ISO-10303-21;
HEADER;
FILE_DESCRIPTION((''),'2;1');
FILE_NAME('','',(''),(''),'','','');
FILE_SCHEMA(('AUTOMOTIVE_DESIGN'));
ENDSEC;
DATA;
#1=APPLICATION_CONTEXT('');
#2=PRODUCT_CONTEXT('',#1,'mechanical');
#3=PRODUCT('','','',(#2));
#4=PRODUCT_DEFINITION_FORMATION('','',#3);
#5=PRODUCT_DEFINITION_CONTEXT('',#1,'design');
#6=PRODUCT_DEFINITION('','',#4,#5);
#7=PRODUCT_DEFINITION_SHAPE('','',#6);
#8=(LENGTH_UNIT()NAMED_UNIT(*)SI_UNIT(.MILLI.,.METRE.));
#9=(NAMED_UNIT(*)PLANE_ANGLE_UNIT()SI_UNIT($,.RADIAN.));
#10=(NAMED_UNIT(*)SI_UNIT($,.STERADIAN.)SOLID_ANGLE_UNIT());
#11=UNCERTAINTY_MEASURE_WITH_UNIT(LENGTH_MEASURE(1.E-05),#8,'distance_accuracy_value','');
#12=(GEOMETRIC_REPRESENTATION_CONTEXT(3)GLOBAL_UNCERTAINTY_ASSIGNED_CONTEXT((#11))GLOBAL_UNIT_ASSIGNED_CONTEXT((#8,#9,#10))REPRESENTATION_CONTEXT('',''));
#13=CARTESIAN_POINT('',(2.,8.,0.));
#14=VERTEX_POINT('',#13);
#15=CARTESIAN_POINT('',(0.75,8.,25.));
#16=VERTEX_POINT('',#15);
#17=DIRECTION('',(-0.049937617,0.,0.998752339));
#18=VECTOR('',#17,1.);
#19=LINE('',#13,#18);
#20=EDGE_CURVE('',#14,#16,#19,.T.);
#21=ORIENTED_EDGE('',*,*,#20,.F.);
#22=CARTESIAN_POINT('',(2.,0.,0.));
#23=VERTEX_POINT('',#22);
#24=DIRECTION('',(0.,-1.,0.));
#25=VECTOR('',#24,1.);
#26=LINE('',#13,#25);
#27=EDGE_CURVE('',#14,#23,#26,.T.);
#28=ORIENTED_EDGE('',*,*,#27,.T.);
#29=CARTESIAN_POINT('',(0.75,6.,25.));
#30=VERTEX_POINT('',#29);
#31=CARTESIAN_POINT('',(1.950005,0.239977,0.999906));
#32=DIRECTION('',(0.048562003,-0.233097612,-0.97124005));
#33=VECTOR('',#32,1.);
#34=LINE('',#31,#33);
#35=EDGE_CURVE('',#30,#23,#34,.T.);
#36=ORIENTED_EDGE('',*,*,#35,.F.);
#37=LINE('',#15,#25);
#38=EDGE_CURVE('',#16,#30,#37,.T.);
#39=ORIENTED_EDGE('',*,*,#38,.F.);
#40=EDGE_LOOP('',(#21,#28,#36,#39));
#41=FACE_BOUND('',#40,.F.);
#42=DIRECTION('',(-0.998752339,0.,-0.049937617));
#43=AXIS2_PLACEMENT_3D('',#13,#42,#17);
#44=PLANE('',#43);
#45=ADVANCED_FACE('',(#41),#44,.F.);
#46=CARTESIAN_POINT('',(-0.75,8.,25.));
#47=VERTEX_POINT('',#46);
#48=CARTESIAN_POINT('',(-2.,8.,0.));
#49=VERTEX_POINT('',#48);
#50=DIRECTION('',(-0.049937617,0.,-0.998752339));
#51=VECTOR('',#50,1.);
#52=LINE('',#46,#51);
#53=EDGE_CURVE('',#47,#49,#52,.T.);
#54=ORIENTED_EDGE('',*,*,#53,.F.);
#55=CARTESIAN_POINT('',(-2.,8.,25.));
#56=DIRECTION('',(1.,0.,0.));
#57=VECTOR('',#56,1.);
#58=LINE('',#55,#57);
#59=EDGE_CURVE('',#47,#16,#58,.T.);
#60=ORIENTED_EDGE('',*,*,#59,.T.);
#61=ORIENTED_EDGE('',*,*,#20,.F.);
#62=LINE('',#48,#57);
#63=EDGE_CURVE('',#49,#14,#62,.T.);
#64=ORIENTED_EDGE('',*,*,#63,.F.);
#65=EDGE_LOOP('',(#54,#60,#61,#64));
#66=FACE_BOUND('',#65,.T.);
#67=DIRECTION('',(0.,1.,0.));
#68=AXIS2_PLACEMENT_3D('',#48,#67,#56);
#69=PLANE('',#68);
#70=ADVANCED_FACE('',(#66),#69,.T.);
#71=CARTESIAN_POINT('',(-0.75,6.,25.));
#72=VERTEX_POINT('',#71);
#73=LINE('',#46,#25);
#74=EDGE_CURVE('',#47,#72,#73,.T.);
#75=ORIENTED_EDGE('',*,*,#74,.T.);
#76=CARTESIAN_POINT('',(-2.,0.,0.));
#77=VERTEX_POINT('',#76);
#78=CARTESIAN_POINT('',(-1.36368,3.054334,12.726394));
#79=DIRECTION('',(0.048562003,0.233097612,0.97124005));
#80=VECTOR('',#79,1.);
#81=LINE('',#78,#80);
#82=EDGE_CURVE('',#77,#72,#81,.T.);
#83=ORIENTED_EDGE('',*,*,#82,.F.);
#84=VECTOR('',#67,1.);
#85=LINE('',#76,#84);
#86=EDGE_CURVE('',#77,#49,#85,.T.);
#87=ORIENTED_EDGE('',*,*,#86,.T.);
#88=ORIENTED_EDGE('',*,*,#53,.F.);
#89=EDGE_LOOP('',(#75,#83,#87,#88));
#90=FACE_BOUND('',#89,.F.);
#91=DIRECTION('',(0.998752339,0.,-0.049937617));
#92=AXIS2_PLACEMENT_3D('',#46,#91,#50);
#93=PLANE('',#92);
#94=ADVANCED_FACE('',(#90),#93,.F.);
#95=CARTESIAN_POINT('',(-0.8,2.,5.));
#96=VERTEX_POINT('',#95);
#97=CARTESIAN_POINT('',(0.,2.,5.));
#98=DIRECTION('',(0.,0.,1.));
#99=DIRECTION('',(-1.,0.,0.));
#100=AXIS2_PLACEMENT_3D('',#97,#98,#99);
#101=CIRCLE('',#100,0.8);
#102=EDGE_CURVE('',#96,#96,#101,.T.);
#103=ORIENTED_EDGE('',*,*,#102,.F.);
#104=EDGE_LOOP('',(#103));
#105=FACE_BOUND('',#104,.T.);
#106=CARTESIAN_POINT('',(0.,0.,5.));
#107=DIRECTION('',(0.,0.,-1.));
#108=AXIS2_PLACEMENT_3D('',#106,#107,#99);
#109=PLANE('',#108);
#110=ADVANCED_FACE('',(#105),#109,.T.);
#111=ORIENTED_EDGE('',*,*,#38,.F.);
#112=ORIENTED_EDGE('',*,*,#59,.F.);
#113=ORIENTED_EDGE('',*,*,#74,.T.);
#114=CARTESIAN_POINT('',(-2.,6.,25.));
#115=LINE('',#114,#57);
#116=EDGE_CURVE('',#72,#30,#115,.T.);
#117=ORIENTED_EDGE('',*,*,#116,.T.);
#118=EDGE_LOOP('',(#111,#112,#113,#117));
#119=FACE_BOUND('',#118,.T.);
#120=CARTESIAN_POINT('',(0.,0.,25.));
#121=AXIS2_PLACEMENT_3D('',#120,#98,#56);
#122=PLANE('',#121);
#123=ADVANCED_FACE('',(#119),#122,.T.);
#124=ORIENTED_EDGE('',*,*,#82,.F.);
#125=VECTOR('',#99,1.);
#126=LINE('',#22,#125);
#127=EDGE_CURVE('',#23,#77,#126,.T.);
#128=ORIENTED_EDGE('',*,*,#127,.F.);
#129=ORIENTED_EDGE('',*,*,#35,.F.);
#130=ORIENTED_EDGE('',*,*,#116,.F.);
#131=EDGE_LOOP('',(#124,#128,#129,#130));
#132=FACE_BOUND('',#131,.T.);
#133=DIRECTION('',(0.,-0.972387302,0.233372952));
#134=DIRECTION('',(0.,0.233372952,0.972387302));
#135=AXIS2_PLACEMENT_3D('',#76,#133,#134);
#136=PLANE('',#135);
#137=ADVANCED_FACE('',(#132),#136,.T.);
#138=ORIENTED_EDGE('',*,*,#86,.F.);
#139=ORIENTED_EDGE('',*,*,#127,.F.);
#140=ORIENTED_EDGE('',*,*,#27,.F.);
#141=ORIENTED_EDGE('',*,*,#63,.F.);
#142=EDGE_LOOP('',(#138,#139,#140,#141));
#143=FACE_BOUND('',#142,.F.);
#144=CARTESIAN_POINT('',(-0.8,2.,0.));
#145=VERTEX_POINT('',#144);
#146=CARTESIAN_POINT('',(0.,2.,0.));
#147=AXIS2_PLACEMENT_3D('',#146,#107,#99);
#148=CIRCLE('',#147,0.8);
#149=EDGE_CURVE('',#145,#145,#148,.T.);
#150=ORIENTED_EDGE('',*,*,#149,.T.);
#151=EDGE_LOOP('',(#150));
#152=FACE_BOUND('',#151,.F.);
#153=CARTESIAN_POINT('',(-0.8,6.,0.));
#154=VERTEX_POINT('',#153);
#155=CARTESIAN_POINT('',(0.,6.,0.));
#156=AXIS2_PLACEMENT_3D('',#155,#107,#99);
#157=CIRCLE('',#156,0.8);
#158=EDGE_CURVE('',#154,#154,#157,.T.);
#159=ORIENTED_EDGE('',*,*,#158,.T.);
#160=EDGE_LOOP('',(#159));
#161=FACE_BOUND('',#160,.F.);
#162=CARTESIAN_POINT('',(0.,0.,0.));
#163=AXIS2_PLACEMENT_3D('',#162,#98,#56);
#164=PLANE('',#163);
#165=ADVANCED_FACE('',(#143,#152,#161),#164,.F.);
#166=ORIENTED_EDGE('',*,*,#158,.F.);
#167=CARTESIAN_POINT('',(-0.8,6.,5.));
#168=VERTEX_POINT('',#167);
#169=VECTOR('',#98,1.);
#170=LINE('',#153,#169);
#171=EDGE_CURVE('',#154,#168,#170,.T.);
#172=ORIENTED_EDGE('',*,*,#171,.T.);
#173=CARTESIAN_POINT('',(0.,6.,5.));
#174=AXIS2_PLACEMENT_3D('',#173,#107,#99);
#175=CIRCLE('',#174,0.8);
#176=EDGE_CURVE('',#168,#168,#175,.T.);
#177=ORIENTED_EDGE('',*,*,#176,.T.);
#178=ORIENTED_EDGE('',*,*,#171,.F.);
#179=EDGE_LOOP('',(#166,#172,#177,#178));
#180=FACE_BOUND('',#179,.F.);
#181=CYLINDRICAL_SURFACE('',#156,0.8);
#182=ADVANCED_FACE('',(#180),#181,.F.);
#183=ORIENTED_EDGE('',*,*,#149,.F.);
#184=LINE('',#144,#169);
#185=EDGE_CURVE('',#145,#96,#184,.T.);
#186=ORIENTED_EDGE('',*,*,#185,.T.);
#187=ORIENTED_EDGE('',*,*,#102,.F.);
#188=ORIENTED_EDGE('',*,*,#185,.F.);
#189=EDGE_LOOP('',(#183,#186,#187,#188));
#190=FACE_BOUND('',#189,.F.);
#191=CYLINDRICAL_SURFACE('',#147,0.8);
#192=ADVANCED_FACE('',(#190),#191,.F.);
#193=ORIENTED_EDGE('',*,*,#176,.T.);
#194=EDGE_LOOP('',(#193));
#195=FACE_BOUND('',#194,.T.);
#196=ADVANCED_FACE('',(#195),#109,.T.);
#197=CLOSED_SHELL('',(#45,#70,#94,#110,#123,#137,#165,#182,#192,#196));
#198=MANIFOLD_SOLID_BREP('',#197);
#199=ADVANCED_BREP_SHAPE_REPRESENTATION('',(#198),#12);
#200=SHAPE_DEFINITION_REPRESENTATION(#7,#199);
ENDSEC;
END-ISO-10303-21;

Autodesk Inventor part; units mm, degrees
ref_plane "YZ Plane" through (0, 0, 0) normal (1, 0, 0) x (0, 1, 0)
ref_plane "XZ Plane" through (0, 0, 0) normal (0, 1, 0) x (-1, 0, 0)
ref_plane "XY Plane" through (0, 0, 0) normal (0, 0, 1) x (1, 0, 0)
sketch "スケッチ1" plane through (0, 0, 0) normal (0, 0, 1) x (1, 0, 0)
  line L0 (-2, 8) -> (2, 8)
  line L1 (2, 8) -> (2, 0)
  line L2 (2, 0) -> (-2, 0)
  line L3 (-2, 0) -> (-2, 8)
  point P0 (0, 0)
  point P1 (0, 0)
  dimension "d0" = 8
  dimension "d1" = 4
extrude "押し出し1" add sketch "スケッチ1" along normal blind 25
sketch "スケッチ2" plane through (-2, 0, 0) normal (-1, 0, 0) x (0, 0, 1)
  line L0 (0, 0) -> (25, 6)
  line L1 (25, 0) -> (25, 8) projected
  line L2 (0, 8) -> (25, 8) projected
  line L3 (25, 8) -> (0, 8)
  line L4 (0, 8) -> (0, 0)
  line L5 (0, 8) -> (0, 0) projected
  line L6 (0, 0) -> (25, 0) projected
  line L7 (25, 8) -> (25, 0) projected
  line L8 (0, 8) -> (25, 8) projected
  point P0 (0, 0)
  dimension "d4" = 2
extrude "押し出し2" cut sketch "スケッチ2" against normal through all contours L0 L1 L6
sketch "スケッチ3" plane through (-2, 8, 0) normal (0, 1, 0) x (1, 0, 0)
  line L0 (4, 0) -> (4, -25) projected
  line L1 (4, 0) -> (2.75, -25)
  line L2 (2.75, -25) -> (1.25, -25)
  line L3 (1.25, -25) -> (0, 0)
  line L4 (4, 0) -> (0, 0) projected
  line L5 (4, -25) -> (0, -25) projected
  line L6 (4, 0) -> (0, 0) projected
  line L7 (0, 0) -> (0, -25) projected
  line L8 (4, -25) -> (0, -25) projected
  line L9 (4, 0) -> (4, -25) projected
  point P0 (2, 0)
  point P1 (2, -25)
  point P2 (2, 0)
  dimension "d7" = 1.5
extrude "押し出し3" cut sketch "スケッチ3" against normal through all contours L0 L5 L1 | L3 L5 L7
sketch "スケッチ4" plane through (0, 0, 0) normal (0, 0, -1) x (-1, 0, 0)
  circle A0 centre (0, 6) radius 0.8
  circle A1 centre (0, 2) radius 0.8
  line L0 (-2, 8) -> (2, 8) projected
  line L1 (2, 0) -> (-2, 0) projected
  point P0 (0, 0)
  point P1 (0, 8)
  dimension "d10" = 1.6
  dimension "d11" = 1.6
  dimension "d12" = 2
  dimension "d13" = 2
  dimension "d16" = 4
extrude "押し出し4" cut sketch "スケッチ4" against normal blind 5
properties part number "amtana"
